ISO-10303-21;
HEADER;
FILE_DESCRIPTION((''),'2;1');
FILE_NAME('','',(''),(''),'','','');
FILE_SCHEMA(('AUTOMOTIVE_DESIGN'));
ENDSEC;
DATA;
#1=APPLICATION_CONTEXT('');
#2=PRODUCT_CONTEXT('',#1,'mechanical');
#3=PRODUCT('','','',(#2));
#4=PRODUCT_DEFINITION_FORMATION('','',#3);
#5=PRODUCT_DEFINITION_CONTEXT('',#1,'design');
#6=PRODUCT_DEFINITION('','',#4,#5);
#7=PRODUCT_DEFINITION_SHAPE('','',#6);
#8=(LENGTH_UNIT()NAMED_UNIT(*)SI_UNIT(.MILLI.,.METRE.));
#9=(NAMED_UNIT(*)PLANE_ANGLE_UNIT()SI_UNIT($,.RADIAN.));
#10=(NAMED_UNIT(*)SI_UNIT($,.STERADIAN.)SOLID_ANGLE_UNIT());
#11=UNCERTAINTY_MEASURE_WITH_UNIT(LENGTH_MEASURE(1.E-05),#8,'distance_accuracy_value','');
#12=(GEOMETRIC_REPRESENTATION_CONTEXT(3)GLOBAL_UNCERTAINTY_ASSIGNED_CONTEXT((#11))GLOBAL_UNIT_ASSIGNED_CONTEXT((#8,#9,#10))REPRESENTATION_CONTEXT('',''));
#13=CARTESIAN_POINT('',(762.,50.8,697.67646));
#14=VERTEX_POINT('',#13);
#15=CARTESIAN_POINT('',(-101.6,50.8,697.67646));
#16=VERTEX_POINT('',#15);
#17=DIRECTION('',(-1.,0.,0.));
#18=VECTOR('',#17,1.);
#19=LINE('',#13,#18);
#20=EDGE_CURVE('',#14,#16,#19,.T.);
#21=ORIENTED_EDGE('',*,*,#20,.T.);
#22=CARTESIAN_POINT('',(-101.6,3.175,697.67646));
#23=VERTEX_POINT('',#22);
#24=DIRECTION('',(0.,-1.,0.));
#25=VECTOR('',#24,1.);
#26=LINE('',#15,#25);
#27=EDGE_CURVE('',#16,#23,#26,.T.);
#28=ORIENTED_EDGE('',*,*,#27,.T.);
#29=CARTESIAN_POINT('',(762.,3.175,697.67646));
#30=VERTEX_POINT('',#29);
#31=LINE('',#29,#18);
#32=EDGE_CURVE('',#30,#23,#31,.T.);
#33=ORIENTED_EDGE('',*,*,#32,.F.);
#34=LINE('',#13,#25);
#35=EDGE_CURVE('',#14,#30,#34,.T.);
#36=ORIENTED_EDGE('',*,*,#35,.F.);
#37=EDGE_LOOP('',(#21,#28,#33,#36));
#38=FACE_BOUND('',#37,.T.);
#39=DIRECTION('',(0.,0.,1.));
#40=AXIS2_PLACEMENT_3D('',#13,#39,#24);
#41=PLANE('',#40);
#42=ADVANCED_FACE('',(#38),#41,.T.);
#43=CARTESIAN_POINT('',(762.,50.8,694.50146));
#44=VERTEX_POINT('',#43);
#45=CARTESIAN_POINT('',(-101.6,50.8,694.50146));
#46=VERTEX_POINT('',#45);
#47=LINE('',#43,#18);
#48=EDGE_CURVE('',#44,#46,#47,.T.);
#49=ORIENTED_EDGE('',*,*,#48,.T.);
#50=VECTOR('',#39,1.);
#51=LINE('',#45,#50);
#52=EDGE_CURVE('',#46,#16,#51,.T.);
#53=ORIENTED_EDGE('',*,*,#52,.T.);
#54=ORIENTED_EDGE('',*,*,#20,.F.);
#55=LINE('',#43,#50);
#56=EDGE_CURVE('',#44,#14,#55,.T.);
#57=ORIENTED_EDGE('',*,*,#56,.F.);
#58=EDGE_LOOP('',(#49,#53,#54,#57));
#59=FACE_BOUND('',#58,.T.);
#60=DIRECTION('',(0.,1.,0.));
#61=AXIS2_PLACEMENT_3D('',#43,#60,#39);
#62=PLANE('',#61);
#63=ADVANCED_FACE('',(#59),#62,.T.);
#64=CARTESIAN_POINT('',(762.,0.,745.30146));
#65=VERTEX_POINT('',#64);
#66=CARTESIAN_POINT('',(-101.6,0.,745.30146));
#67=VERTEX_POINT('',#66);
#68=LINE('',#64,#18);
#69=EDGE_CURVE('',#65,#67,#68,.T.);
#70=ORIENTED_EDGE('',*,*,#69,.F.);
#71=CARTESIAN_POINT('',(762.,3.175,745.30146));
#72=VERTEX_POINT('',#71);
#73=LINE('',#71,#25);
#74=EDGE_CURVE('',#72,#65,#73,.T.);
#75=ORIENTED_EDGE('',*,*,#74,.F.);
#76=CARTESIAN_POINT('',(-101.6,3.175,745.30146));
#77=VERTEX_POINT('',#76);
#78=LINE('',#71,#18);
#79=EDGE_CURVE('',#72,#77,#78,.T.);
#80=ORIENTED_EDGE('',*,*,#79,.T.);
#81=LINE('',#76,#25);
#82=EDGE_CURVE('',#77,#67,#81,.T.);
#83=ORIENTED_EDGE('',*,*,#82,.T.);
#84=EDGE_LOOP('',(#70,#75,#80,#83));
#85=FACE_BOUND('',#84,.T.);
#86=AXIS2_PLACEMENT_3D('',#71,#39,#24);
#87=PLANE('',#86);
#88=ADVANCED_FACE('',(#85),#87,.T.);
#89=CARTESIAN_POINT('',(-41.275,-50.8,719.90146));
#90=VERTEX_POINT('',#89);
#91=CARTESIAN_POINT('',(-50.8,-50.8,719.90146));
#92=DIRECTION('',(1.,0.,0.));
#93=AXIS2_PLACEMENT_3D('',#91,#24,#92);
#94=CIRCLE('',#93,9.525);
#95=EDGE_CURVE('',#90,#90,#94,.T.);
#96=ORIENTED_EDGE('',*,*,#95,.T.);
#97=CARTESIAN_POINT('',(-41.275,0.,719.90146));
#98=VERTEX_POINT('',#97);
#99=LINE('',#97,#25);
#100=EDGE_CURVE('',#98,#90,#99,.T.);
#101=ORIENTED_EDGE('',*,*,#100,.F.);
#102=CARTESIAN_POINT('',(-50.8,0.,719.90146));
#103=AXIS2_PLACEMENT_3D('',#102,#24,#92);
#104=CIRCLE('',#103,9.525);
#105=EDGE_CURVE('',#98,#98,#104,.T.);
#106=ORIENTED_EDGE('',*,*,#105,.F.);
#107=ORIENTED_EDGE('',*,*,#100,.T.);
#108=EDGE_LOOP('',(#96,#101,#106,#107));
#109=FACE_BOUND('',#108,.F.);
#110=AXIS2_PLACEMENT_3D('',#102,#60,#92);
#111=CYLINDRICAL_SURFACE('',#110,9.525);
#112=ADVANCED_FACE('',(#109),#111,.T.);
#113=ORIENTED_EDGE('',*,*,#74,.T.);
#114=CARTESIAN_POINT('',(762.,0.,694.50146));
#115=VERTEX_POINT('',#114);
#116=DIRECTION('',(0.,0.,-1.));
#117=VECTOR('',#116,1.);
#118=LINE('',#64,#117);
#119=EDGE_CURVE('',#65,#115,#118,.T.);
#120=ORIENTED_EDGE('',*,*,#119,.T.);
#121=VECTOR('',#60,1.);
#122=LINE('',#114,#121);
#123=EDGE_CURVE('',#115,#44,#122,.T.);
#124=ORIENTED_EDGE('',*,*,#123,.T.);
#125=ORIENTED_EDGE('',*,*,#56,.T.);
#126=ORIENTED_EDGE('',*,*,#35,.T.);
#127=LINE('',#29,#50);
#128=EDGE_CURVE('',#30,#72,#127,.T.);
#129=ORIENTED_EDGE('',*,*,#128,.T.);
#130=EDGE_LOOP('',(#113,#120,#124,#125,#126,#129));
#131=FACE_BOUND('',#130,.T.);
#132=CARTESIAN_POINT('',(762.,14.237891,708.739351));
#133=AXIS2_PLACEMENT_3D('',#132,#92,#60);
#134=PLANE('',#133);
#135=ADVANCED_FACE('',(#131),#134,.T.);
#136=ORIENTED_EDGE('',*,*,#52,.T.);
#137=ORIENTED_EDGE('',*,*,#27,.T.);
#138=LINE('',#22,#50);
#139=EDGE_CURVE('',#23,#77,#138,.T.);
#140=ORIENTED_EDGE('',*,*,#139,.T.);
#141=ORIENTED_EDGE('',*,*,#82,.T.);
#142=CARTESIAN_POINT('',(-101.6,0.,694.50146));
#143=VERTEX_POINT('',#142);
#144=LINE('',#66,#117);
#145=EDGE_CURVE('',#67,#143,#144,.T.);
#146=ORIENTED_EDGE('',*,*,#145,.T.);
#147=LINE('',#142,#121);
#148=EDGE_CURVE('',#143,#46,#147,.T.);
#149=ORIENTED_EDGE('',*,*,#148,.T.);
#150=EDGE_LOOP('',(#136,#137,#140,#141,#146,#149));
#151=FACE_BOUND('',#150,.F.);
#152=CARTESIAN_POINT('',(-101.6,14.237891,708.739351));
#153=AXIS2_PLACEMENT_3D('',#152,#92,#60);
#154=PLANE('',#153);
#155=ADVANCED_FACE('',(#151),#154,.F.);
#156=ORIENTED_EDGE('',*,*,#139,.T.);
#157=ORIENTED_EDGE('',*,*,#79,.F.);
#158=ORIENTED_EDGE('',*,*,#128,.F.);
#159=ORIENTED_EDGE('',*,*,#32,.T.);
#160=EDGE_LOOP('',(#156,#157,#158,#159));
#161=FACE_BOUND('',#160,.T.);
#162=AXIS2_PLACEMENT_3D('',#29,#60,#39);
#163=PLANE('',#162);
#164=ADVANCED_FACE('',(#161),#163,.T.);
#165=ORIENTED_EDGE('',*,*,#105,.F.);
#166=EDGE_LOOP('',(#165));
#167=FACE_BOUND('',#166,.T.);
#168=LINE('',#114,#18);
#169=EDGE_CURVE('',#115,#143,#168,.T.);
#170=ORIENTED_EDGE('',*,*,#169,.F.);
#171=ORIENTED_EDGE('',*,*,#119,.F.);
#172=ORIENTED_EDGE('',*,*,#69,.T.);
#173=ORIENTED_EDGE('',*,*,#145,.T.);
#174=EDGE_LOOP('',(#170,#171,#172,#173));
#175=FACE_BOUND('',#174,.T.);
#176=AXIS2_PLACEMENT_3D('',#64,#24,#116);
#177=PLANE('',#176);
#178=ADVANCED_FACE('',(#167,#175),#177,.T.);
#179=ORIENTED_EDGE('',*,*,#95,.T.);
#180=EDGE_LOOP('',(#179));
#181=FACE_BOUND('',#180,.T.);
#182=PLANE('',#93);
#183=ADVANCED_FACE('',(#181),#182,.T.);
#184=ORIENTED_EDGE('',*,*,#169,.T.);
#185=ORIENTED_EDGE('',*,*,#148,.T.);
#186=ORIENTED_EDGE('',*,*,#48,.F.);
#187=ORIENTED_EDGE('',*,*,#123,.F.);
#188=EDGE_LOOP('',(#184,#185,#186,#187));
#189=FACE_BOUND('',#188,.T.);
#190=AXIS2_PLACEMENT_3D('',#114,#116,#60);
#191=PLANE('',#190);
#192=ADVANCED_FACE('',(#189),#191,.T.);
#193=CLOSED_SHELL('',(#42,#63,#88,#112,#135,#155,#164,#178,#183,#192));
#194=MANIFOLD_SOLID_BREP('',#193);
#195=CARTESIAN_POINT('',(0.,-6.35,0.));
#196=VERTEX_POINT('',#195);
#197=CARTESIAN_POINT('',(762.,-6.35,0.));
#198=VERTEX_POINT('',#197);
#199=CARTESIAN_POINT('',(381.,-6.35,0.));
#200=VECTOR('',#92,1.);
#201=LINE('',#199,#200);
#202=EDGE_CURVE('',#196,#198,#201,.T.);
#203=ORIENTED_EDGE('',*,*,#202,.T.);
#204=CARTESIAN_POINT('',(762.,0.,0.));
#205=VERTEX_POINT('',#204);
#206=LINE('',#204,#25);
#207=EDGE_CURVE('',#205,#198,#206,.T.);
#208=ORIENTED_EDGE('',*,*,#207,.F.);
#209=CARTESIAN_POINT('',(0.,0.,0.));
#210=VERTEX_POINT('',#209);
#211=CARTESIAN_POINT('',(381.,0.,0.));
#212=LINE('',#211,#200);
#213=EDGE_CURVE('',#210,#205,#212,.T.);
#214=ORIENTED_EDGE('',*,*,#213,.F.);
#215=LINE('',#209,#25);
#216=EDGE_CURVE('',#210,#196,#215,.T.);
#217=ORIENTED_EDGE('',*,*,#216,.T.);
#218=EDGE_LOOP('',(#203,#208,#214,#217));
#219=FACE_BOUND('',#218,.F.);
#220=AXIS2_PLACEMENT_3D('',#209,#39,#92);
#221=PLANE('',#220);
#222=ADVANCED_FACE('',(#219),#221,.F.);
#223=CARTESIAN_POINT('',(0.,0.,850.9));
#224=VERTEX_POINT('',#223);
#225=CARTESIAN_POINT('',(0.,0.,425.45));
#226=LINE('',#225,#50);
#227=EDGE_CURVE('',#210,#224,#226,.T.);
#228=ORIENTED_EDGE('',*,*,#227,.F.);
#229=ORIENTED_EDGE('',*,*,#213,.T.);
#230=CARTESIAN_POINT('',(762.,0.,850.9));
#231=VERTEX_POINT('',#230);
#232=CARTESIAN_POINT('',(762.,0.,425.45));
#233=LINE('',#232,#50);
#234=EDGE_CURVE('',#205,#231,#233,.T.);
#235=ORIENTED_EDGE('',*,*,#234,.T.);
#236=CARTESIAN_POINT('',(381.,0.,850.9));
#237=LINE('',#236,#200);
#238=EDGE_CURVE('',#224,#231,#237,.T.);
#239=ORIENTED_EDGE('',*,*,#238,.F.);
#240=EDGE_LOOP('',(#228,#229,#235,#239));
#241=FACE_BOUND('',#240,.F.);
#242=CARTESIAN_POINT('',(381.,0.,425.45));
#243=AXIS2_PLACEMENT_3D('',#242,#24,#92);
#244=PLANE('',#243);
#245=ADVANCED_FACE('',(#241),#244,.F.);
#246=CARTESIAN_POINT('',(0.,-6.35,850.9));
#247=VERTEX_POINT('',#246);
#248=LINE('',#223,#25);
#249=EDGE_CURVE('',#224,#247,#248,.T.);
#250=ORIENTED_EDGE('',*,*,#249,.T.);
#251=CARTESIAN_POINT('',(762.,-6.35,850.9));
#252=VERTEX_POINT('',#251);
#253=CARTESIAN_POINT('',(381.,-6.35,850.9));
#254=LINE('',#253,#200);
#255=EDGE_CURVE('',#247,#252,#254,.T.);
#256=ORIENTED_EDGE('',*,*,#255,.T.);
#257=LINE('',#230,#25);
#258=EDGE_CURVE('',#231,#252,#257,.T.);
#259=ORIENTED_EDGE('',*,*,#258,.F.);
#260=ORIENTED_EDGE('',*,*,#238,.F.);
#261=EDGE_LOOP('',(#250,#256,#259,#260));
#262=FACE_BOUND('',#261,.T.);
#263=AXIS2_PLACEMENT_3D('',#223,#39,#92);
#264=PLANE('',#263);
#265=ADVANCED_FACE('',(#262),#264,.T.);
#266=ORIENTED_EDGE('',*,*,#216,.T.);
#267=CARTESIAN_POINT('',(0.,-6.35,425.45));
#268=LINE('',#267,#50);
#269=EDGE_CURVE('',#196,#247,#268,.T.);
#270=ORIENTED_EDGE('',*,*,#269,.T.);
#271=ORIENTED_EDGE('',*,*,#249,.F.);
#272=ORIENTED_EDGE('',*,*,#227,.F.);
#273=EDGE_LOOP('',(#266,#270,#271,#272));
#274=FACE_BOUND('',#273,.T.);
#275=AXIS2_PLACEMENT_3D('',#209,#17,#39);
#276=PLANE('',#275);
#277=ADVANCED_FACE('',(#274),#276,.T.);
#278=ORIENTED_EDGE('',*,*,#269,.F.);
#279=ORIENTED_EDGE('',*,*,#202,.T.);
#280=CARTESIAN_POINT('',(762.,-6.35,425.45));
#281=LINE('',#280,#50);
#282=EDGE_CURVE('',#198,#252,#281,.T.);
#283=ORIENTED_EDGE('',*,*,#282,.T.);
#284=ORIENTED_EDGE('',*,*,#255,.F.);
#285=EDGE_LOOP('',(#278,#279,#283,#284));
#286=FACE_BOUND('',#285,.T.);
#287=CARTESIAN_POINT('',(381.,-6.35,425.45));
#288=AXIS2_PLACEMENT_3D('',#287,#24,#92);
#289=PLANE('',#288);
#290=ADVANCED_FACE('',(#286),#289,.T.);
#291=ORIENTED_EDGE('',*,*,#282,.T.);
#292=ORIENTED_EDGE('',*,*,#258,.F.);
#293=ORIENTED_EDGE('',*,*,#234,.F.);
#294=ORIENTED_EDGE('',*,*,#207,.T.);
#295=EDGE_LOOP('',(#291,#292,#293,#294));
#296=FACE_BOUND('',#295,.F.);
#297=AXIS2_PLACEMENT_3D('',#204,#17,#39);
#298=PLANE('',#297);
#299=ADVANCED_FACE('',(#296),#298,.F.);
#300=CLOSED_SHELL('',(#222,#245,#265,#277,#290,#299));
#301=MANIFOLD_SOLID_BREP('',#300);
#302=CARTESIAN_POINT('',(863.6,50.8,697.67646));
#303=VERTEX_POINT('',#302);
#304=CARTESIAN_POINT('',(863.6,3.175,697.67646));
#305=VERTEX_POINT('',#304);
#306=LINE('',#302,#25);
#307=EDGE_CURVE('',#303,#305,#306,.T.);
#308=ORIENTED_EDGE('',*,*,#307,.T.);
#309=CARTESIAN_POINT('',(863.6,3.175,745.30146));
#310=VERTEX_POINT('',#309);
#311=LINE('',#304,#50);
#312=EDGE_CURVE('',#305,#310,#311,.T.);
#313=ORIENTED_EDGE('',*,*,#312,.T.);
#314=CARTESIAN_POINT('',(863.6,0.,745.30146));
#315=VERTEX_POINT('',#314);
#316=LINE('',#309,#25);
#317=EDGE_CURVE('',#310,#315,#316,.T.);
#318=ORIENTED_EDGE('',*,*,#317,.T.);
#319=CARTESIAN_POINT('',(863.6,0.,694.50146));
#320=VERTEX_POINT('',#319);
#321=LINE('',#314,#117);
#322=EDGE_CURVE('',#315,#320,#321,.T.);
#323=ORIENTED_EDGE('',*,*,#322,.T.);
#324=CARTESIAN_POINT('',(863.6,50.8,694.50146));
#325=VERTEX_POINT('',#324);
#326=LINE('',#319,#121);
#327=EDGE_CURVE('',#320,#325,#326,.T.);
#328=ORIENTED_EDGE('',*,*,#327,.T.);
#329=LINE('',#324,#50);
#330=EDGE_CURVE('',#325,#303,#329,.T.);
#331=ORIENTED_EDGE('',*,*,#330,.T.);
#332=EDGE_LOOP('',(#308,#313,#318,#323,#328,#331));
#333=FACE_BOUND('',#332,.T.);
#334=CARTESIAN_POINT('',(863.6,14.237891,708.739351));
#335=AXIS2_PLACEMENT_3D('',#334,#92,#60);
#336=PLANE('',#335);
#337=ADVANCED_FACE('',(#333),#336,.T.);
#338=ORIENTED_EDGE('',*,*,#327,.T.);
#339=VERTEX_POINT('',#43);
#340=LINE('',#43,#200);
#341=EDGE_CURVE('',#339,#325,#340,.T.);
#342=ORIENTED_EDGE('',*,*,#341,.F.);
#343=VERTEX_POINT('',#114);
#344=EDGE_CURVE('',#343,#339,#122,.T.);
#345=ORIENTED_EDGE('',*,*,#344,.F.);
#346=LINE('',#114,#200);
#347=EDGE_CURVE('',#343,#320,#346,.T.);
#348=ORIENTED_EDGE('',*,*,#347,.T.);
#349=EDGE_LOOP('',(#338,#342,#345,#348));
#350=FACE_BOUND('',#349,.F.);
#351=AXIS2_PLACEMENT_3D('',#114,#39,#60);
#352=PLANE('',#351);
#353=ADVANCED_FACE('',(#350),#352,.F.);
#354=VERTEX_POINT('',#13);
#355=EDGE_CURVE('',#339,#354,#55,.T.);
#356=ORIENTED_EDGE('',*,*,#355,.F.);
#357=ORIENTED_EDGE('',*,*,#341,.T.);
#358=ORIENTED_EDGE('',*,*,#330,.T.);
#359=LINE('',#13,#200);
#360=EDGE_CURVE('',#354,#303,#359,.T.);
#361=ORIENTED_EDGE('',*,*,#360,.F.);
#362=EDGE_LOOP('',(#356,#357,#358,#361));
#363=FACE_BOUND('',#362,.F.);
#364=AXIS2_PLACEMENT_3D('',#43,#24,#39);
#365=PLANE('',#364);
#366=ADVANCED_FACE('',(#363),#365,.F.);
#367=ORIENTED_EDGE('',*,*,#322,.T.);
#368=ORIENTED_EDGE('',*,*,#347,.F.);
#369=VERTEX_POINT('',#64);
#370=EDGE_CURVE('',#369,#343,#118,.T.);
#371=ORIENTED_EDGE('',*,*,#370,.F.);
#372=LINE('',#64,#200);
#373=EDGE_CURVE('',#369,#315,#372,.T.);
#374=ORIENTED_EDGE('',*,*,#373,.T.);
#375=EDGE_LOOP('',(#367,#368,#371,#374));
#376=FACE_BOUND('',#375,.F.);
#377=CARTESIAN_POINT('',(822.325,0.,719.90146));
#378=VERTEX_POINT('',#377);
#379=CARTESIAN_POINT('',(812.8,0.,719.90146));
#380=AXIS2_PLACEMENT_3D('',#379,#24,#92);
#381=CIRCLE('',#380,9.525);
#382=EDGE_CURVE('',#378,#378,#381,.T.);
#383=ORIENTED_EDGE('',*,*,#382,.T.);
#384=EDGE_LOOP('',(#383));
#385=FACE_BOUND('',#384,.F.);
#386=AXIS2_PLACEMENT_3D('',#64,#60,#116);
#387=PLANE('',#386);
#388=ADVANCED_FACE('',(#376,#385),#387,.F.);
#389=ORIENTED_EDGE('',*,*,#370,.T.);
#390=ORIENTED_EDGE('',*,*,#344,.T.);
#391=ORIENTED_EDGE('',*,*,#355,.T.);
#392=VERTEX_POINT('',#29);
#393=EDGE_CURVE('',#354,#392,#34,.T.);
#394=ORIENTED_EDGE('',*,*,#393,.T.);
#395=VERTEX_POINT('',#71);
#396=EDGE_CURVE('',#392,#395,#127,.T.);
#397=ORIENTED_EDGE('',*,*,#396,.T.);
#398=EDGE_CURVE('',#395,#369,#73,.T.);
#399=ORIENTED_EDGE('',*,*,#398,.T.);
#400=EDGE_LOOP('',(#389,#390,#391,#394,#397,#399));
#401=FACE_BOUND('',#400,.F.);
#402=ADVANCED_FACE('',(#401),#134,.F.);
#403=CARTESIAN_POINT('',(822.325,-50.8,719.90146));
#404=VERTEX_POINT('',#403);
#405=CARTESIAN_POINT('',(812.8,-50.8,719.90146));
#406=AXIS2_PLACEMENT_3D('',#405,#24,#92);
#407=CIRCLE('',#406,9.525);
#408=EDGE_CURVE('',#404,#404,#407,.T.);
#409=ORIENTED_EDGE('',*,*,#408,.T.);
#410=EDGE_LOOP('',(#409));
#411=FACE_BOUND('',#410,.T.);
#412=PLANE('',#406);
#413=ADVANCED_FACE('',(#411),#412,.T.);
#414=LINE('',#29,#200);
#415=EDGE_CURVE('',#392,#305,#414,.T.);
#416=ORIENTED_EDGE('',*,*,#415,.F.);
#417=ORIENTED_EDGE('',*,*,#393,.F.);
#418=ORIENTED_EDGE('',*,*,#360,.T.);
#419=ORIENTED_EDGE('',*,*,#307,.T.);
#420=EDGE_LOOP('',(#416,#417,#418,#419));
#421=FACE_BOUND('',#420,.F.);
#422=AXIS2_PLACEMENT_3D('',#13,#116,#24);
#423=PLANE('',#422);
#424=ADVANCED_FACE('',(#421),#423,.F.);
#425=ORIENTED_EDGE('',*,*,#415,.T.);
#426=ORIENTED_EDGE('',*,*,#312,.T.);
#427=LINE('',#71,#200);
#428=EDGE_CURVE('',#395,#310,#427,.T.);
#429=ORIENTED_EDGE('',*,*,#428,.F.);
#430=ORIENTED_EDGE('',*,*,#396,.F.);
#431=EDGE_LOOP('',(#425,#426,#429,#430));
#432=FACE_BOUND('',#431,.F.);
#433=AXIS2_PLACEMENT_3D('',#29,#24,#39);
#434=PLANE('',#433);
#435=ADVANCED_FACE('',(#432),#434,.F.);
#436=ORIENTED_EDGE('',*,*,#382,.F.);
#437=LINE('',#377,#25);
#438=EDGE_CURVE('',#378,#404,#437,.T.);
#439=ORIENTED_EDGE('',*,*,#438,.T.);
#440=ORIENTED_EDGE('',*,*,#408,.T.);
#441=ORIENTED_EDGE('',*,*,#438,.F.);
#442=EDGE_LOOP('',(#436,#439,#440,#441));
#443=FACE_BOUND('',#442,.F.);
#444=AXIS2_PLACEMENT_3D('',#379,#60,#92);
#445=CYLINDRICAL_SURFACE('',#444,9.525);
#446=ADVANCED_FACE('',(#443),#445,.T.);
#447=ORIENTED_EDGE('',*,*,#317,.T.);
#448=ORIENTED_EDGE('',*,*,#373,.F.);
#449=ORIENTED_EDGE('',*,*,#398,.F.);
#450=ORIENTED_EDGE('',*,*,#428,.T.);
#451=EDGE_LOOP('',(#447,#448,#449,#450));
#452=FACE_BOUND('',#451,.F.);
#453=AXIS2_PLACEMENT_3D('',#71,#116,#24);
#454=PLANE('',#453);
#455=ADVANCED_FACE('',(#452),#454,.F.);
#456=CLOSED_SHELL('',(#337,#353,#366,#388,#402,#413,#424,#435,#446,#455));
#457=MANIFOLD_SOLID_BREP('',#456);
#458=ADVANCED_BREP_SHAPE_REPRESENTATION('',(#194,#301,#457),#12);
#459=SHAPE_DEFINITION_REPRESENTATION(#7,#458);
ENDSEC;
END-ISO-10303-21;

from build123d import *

# Parameters (mm, degrees)
F0_W      = 762
F0_H      = 850.9
F1_DEPTH  = 6.35
F3_DEPTH  = 101.6
F4_DEPTH  = 863.6
F5_R      = 9.525
F6_DEPTH  = 50.8
F7_R      = 9.525
F8_DEPTH  = 50.8
F11_DEPTH = 101.6
F12_DEPTH = 863.6
F13_R     = 9.525
F14_DEPTH = 50.8
F15_R     = 9.525
F16_DEPTH = 50.8


with BuildPart() as f1:
    # F0 (on Front) → F1 (new body)
    with BuildSketch(Plane.XZ):
        with Locations((381, 425.45)):
            Rectangle(F0_W, F0_H)
    extrude(amount=F1_DEPTH)


with BuildPart() as f3:
    # F2 (on face) → F3 (new body)
    with BuildSketch(Plane.YZ.offset(762)):
        Polygon((0, 674.259339), (0, 623.459339), (3.175, 623.459339), (3.175, 671.084339), (50.8, 671.084339), (50.8, 674.259339), align=None)
    extrude(amount=F3_DEPTH)

    # F5 (on face) → F6 (join)
    with BuildSketch(Plane.XZ):
        with Locations((812.8, 648.859339)):
            Circle(F5_R)
    extrude(amount=F6_DEPTH)


with BuildPart() as f4:
    # F2 (on face) → F4 (new body)
    with BuildSketch(Plane.YZ.offset(762)):
        Polygon((0, 674.259339), (0, 623.459339), (3.175, 623.459339), (3.175, 671.084339), (50.8, 671.084339), (50.8, 674.259339), align=None)
    extrude(amount=-F4_DEPTH)

    # F7 (on face) → F8 (join)
    with BuildSketch(Plane.XZ):
        with Locations((-50.8, 648.859339)):
            Circle(F7_R)
    extrude(amount=F8_DEPTH)


with BuildPart() as f11:
    # F10 (on face) → F11 (new body)
    with BuildSketch(Plane.YZ.offset(762)):
        Polygon((0, 745.30146), (0, 694.50146), (50.8, 694.50146), (50.8, 697.67646), (3.175, 697.67646), (3.175, 745.30146), align=None)
    extrude(amount=F11_DEPTH)

    # F13 (on face) → F14 (join)
    with BuildSketch(Plane.XZ):
        with Locations((812.8, 719.90146)):
            Circle(F13_R)
    extrude(amount=F14_DEPTH)


with BuildPart() as f12:
    # F10 (on face) → F12 (new body)
    with BuildSketch(Plane.YZ.offset(762)):
        Polygon((0, 745.30146), (0, 694.50146), (50.8, 694.50146), (50.8, 697.67646), (3.175, 697.67646), (3.175, 745.30146), align=None)
    extrude(amount=-F12_DEPTH)

    # F15 (on face) → F16 (join)
    with BuildSketch(Plane.XZ):
        with Locations((-50.8, 719.90146)):
            Circle(F15_R)
    extrude(amount=F16_DEPTH)


solid = Compound([f1.part, f11.part, f12.part])
